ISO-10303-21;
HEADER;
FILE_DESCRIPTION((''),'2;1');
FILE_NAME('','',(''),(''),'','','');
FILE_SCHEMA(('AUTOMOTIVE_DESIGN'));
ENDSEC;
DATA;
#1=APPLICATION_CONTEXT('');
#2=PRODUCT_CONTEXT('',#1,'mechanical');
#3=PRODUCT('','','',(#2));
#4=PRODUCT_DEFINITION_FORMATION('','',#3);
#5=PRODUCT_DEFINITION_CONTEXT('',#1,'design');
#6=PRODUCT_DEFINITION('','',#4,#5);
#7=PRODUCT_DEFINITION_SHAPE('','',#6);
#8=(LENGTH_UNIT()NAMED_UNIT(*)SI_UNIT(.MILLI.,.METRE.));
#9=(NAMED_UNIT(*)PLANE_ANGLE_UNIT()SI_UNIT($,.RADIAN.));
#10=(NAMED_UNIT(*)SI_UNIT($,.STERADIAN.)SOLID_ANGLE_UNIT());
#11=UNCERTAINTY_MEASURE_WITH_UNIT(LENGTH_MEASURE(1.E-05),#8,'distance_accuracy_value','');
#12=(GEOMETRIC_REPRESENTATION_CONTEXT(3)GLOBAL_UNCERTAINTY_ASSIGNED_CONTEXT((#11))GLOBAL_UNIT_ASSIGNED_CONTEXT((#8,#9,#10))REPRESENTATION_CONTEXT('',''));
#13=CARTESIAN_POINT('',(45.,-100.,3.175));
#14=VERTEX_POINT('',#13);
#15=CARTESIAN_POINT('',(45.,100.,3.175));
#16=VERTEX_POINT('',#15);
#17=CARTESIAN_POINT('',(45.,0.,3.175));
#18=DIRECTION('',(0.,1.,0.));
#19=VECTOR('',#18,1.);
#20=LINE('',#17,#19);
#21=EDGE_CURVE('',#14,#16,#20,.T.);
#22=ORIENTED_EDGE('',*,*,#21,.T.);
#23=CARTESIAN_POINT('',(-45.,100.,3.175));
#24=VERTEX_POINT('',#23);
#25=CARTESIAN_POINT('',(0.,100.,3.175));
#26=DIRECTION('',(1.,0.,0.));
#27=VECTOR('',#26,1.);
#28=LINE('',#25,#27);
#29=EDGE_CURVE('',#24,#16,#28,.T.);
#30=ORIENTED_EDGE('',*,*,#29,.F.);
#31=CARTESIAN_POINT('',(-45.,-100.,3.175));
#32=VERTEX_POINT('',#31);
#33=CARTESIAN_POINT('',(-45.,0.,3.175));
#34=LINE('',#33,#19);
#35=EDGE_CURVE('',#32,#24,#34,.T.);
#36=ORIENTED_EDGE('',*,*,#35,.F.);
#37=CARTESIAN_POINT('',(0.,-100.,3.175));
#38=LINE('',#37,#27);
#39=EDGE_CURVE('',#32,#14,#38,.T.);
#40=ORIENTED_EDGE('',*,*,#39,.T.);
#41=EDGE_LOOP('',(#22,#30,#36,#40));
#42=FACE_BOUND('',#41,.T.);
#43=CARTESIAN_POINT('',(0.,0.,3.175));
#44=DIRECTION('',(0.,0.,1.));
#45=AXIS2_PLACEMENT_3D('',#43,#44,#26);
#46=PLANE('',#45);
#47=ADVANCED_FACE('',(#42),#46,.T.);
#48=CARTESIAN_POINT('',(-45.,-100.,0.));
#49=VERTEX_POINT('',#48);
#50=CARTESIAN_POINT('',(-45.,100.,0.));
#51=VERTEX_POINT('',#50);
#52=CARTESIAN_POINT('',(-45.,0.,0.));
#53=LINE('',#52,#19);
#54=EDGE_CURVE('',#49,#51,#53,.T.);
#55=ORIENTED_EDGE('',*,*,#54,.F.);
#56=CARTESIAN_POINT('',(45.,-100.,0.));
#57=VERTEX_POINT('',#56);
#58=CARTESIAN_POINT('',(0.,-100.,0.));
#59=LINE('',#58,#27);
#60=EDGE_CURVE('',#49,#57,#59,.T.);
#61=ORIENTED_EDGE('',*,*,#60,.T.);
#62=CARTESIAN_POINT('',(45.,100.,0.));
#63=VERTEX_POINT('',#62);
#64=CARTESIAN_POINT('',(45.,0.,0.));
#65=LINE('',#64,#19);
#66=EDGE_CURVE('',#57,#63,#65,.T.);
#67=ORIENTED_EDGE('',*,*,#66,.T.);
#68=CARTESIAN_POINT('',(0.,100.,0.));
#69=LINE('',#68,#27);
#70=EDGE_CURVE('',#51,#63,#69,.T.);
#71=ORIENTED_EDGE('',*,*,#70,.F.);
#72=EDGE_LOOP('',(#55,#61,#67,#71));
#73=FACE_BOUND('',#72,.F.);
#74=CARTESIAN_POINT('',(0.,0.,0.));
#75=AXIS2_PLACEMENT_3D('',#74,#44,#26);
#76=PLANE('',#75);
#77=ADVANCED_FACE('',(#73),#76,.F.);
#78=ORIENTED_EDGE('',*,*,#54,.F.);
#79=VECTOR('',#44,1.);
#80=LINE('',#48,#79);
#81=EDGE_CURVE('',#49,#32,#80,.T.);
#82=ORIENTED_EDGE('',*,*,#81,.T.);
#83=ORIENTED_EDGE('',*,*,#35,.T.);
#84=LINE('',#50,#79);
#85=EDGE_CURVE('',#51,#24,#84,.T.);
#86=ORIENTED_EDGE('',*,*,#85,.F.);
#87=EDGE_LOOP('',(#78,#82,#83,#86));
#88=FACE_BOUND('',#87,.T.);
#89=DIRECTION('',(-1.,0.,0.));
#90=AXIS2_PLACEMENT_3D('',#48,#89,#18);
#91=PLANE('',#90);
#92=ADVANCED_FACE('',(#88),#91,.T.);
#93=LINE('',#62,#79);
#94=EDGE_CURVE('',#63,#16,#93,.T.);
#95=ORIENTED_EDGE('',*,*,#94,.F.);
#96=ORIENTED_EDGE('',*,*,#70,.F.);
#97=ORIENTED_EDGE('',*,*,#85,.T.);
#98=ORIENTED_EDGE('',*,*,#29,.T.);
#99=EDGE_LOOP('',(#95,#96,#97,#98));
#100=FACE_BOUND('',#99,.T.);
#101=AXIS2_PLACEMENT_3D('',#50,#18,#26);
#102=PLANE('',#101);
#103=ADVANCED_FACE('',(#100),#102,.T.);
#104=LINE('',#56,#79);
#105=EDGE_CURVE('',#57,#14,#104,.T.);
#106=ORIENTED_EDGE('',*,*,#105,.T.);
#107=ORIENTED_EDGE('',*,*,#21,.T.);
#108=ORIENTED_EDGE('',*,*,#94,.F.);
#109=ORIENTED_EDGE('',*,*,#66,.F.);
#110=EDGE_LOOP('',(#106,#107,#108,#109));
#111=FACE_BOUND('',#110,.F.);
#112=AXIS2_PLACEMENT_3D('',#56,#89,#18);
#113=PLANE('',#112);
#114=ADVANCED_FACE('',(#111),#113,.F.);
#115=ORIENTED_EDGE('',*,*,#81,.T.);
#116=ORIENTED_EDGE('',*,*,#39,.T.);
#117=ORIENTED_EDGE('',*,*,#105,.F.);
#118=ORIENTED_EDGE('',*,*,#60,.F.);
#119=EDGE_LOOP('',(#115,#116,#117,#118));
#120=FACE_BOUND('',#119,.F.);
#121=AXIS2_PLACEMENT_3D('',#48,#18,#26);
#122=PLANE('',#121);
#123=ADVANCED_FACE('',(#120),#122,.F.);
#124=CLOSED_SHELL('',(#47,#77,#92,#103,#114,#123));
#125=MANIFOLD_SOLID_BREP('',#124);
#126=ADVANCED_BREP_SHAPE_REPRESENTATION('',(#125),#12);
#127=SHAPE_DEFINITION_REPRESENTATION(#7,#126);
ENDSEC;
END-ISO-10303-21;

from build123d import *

# Parameters (mm, degrees)
SKETCH1_W           = 90
SKETCH1_H           = 200
BOSS_EXTRUDE2_DEPTH = 3.175


with BuildPart() as part:
    # Sketch1 → Boss-Extrude2 (new body)
    with BuildSketch(Plane.XY):
        Rectangle(SKETCH1_W, SKETCH1_H)
    extrude(amount=BOSS_EXTRUDE2_DEPTH)


solid = part.part
